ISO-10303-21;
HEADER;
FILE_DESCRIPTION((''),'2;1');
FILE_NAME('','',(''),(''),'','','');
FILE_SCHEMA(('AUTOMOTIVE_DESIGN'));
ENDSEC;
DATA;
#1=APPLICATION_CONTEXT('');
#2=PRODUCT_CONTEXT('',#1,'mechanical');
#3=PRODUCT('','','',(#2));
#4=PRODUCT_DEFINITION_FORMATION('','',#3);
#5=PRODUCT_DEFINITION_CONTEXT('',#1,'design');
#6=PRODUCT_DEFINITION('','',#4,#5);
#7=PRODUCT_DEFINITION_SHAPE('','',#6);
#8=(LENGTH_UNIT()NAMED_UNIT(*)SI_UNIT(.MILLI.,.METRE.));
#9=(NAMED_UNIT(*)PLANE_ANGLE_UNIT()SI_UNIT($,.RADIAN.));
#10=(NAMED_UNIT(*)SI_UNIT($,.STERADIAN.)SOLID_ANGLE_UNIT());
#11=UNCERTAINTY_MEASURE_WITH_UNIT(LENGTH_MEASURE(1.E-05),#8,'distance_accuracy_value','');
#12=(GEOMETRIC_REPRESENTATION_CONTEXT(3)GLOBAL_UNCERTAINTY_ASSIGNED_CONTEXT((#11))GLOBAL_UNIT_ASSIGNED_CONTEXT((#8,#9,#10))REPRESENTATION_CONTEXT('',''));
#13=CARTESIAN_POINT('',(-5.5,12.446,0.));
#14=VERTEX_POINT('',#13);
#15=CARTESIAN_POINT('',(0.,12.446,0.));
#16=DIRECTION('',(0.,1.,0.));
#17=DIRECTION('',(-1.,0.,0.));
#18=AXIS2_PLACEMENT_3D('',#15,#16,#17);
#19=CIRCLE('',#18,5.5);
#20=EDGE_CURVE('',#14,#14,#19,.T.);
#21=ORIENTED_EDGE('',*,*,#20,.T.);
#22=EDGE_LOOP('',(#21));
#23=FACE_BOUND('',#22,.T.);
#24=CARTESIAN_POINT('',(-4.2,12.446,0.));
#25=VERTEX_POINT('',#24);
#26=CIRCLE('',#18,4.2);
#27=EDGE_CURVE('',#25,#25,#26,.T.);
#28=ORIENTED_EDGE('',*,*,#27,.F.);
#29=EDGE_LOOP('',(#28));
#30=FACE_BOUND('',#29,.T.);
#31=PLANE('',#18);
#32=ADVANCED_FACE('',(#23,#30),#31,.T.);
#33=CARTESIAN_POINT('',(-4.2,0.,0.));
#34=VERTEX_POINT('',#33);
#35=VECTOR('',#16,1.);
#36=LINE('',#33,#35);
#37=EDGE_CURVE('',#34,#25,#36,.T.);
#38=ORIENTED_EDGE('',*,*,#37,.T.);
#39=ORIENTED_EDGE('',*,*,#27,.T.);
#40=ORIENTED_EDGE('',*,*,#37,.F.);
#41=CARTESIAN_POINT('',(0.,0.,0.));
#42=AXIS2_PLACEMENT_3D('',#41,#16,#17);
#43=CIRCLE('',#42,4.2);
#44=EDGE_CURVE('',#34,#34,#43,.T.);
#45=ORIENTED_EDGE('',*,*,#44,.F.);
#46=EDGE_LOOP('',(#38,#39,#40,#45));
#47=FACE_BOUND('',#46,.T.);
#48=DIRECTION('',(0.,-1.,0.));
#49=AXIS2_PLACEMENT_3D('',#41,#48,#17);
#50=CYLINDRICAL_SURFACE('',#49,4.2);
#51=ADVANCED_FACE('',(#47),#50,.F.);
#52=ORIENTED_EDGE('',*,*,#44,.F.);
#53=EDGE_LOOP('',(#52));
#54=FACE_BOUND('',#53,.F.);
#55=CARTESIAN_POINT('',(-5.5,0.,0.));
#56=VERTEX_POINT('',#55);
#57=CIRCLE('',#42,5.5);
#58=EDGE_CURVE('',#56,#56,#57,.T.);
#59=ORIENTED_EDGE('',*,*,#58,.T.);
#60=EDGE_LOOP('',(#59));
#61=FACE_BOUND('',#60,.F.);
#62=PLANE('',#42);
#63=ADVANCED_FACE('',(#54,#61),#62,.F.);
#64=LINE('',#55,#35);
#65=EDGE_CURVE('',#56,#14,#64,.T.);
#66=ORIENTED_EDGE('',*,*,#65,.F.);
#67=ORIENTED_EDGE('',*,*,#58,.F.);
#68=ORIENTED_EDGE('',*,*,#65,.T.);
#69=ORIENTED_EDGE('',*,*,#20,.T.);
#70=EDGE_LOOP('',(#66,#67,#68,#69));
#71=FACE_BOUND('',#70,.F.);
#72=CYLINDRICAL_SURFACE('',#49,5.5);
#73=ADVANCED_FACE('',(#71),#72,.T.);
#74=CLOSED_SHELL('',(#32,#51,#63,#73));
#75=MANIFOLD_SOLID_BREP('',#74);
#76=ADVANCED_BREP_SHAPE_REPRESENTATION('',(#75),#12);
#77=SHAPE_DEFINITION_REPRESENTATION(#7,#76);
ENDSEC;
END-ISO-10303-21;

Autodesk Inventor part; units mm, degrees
ref_plane "YZ Plane" through (0, 0, 0) normal (1, 0, 0) x (0, 1, 0)
ref_plane "XZ Plane" through (0, 0, 0) normal (0, 1, 0) x (-1, 0, 0)
ref_plane "XY Plane" through (0, 0, 0) normal (0, 0, 1) x (1, 0, 0)
sketch "Sketch1" plane through (0, 0, 0) normal (0, 1, 0) x (-1, 0, 0)
  circle A0 centre (0, 0) radius 4.2
  circle A1 centre (0, 0) radius 5.5
  dimension "d1" = 8.4
  dimension "d2" = 11
extrude "Extrusion1" add sketch "Sketch1" along normal blind 12.446
properties part number "spacer for inside of wheel"
